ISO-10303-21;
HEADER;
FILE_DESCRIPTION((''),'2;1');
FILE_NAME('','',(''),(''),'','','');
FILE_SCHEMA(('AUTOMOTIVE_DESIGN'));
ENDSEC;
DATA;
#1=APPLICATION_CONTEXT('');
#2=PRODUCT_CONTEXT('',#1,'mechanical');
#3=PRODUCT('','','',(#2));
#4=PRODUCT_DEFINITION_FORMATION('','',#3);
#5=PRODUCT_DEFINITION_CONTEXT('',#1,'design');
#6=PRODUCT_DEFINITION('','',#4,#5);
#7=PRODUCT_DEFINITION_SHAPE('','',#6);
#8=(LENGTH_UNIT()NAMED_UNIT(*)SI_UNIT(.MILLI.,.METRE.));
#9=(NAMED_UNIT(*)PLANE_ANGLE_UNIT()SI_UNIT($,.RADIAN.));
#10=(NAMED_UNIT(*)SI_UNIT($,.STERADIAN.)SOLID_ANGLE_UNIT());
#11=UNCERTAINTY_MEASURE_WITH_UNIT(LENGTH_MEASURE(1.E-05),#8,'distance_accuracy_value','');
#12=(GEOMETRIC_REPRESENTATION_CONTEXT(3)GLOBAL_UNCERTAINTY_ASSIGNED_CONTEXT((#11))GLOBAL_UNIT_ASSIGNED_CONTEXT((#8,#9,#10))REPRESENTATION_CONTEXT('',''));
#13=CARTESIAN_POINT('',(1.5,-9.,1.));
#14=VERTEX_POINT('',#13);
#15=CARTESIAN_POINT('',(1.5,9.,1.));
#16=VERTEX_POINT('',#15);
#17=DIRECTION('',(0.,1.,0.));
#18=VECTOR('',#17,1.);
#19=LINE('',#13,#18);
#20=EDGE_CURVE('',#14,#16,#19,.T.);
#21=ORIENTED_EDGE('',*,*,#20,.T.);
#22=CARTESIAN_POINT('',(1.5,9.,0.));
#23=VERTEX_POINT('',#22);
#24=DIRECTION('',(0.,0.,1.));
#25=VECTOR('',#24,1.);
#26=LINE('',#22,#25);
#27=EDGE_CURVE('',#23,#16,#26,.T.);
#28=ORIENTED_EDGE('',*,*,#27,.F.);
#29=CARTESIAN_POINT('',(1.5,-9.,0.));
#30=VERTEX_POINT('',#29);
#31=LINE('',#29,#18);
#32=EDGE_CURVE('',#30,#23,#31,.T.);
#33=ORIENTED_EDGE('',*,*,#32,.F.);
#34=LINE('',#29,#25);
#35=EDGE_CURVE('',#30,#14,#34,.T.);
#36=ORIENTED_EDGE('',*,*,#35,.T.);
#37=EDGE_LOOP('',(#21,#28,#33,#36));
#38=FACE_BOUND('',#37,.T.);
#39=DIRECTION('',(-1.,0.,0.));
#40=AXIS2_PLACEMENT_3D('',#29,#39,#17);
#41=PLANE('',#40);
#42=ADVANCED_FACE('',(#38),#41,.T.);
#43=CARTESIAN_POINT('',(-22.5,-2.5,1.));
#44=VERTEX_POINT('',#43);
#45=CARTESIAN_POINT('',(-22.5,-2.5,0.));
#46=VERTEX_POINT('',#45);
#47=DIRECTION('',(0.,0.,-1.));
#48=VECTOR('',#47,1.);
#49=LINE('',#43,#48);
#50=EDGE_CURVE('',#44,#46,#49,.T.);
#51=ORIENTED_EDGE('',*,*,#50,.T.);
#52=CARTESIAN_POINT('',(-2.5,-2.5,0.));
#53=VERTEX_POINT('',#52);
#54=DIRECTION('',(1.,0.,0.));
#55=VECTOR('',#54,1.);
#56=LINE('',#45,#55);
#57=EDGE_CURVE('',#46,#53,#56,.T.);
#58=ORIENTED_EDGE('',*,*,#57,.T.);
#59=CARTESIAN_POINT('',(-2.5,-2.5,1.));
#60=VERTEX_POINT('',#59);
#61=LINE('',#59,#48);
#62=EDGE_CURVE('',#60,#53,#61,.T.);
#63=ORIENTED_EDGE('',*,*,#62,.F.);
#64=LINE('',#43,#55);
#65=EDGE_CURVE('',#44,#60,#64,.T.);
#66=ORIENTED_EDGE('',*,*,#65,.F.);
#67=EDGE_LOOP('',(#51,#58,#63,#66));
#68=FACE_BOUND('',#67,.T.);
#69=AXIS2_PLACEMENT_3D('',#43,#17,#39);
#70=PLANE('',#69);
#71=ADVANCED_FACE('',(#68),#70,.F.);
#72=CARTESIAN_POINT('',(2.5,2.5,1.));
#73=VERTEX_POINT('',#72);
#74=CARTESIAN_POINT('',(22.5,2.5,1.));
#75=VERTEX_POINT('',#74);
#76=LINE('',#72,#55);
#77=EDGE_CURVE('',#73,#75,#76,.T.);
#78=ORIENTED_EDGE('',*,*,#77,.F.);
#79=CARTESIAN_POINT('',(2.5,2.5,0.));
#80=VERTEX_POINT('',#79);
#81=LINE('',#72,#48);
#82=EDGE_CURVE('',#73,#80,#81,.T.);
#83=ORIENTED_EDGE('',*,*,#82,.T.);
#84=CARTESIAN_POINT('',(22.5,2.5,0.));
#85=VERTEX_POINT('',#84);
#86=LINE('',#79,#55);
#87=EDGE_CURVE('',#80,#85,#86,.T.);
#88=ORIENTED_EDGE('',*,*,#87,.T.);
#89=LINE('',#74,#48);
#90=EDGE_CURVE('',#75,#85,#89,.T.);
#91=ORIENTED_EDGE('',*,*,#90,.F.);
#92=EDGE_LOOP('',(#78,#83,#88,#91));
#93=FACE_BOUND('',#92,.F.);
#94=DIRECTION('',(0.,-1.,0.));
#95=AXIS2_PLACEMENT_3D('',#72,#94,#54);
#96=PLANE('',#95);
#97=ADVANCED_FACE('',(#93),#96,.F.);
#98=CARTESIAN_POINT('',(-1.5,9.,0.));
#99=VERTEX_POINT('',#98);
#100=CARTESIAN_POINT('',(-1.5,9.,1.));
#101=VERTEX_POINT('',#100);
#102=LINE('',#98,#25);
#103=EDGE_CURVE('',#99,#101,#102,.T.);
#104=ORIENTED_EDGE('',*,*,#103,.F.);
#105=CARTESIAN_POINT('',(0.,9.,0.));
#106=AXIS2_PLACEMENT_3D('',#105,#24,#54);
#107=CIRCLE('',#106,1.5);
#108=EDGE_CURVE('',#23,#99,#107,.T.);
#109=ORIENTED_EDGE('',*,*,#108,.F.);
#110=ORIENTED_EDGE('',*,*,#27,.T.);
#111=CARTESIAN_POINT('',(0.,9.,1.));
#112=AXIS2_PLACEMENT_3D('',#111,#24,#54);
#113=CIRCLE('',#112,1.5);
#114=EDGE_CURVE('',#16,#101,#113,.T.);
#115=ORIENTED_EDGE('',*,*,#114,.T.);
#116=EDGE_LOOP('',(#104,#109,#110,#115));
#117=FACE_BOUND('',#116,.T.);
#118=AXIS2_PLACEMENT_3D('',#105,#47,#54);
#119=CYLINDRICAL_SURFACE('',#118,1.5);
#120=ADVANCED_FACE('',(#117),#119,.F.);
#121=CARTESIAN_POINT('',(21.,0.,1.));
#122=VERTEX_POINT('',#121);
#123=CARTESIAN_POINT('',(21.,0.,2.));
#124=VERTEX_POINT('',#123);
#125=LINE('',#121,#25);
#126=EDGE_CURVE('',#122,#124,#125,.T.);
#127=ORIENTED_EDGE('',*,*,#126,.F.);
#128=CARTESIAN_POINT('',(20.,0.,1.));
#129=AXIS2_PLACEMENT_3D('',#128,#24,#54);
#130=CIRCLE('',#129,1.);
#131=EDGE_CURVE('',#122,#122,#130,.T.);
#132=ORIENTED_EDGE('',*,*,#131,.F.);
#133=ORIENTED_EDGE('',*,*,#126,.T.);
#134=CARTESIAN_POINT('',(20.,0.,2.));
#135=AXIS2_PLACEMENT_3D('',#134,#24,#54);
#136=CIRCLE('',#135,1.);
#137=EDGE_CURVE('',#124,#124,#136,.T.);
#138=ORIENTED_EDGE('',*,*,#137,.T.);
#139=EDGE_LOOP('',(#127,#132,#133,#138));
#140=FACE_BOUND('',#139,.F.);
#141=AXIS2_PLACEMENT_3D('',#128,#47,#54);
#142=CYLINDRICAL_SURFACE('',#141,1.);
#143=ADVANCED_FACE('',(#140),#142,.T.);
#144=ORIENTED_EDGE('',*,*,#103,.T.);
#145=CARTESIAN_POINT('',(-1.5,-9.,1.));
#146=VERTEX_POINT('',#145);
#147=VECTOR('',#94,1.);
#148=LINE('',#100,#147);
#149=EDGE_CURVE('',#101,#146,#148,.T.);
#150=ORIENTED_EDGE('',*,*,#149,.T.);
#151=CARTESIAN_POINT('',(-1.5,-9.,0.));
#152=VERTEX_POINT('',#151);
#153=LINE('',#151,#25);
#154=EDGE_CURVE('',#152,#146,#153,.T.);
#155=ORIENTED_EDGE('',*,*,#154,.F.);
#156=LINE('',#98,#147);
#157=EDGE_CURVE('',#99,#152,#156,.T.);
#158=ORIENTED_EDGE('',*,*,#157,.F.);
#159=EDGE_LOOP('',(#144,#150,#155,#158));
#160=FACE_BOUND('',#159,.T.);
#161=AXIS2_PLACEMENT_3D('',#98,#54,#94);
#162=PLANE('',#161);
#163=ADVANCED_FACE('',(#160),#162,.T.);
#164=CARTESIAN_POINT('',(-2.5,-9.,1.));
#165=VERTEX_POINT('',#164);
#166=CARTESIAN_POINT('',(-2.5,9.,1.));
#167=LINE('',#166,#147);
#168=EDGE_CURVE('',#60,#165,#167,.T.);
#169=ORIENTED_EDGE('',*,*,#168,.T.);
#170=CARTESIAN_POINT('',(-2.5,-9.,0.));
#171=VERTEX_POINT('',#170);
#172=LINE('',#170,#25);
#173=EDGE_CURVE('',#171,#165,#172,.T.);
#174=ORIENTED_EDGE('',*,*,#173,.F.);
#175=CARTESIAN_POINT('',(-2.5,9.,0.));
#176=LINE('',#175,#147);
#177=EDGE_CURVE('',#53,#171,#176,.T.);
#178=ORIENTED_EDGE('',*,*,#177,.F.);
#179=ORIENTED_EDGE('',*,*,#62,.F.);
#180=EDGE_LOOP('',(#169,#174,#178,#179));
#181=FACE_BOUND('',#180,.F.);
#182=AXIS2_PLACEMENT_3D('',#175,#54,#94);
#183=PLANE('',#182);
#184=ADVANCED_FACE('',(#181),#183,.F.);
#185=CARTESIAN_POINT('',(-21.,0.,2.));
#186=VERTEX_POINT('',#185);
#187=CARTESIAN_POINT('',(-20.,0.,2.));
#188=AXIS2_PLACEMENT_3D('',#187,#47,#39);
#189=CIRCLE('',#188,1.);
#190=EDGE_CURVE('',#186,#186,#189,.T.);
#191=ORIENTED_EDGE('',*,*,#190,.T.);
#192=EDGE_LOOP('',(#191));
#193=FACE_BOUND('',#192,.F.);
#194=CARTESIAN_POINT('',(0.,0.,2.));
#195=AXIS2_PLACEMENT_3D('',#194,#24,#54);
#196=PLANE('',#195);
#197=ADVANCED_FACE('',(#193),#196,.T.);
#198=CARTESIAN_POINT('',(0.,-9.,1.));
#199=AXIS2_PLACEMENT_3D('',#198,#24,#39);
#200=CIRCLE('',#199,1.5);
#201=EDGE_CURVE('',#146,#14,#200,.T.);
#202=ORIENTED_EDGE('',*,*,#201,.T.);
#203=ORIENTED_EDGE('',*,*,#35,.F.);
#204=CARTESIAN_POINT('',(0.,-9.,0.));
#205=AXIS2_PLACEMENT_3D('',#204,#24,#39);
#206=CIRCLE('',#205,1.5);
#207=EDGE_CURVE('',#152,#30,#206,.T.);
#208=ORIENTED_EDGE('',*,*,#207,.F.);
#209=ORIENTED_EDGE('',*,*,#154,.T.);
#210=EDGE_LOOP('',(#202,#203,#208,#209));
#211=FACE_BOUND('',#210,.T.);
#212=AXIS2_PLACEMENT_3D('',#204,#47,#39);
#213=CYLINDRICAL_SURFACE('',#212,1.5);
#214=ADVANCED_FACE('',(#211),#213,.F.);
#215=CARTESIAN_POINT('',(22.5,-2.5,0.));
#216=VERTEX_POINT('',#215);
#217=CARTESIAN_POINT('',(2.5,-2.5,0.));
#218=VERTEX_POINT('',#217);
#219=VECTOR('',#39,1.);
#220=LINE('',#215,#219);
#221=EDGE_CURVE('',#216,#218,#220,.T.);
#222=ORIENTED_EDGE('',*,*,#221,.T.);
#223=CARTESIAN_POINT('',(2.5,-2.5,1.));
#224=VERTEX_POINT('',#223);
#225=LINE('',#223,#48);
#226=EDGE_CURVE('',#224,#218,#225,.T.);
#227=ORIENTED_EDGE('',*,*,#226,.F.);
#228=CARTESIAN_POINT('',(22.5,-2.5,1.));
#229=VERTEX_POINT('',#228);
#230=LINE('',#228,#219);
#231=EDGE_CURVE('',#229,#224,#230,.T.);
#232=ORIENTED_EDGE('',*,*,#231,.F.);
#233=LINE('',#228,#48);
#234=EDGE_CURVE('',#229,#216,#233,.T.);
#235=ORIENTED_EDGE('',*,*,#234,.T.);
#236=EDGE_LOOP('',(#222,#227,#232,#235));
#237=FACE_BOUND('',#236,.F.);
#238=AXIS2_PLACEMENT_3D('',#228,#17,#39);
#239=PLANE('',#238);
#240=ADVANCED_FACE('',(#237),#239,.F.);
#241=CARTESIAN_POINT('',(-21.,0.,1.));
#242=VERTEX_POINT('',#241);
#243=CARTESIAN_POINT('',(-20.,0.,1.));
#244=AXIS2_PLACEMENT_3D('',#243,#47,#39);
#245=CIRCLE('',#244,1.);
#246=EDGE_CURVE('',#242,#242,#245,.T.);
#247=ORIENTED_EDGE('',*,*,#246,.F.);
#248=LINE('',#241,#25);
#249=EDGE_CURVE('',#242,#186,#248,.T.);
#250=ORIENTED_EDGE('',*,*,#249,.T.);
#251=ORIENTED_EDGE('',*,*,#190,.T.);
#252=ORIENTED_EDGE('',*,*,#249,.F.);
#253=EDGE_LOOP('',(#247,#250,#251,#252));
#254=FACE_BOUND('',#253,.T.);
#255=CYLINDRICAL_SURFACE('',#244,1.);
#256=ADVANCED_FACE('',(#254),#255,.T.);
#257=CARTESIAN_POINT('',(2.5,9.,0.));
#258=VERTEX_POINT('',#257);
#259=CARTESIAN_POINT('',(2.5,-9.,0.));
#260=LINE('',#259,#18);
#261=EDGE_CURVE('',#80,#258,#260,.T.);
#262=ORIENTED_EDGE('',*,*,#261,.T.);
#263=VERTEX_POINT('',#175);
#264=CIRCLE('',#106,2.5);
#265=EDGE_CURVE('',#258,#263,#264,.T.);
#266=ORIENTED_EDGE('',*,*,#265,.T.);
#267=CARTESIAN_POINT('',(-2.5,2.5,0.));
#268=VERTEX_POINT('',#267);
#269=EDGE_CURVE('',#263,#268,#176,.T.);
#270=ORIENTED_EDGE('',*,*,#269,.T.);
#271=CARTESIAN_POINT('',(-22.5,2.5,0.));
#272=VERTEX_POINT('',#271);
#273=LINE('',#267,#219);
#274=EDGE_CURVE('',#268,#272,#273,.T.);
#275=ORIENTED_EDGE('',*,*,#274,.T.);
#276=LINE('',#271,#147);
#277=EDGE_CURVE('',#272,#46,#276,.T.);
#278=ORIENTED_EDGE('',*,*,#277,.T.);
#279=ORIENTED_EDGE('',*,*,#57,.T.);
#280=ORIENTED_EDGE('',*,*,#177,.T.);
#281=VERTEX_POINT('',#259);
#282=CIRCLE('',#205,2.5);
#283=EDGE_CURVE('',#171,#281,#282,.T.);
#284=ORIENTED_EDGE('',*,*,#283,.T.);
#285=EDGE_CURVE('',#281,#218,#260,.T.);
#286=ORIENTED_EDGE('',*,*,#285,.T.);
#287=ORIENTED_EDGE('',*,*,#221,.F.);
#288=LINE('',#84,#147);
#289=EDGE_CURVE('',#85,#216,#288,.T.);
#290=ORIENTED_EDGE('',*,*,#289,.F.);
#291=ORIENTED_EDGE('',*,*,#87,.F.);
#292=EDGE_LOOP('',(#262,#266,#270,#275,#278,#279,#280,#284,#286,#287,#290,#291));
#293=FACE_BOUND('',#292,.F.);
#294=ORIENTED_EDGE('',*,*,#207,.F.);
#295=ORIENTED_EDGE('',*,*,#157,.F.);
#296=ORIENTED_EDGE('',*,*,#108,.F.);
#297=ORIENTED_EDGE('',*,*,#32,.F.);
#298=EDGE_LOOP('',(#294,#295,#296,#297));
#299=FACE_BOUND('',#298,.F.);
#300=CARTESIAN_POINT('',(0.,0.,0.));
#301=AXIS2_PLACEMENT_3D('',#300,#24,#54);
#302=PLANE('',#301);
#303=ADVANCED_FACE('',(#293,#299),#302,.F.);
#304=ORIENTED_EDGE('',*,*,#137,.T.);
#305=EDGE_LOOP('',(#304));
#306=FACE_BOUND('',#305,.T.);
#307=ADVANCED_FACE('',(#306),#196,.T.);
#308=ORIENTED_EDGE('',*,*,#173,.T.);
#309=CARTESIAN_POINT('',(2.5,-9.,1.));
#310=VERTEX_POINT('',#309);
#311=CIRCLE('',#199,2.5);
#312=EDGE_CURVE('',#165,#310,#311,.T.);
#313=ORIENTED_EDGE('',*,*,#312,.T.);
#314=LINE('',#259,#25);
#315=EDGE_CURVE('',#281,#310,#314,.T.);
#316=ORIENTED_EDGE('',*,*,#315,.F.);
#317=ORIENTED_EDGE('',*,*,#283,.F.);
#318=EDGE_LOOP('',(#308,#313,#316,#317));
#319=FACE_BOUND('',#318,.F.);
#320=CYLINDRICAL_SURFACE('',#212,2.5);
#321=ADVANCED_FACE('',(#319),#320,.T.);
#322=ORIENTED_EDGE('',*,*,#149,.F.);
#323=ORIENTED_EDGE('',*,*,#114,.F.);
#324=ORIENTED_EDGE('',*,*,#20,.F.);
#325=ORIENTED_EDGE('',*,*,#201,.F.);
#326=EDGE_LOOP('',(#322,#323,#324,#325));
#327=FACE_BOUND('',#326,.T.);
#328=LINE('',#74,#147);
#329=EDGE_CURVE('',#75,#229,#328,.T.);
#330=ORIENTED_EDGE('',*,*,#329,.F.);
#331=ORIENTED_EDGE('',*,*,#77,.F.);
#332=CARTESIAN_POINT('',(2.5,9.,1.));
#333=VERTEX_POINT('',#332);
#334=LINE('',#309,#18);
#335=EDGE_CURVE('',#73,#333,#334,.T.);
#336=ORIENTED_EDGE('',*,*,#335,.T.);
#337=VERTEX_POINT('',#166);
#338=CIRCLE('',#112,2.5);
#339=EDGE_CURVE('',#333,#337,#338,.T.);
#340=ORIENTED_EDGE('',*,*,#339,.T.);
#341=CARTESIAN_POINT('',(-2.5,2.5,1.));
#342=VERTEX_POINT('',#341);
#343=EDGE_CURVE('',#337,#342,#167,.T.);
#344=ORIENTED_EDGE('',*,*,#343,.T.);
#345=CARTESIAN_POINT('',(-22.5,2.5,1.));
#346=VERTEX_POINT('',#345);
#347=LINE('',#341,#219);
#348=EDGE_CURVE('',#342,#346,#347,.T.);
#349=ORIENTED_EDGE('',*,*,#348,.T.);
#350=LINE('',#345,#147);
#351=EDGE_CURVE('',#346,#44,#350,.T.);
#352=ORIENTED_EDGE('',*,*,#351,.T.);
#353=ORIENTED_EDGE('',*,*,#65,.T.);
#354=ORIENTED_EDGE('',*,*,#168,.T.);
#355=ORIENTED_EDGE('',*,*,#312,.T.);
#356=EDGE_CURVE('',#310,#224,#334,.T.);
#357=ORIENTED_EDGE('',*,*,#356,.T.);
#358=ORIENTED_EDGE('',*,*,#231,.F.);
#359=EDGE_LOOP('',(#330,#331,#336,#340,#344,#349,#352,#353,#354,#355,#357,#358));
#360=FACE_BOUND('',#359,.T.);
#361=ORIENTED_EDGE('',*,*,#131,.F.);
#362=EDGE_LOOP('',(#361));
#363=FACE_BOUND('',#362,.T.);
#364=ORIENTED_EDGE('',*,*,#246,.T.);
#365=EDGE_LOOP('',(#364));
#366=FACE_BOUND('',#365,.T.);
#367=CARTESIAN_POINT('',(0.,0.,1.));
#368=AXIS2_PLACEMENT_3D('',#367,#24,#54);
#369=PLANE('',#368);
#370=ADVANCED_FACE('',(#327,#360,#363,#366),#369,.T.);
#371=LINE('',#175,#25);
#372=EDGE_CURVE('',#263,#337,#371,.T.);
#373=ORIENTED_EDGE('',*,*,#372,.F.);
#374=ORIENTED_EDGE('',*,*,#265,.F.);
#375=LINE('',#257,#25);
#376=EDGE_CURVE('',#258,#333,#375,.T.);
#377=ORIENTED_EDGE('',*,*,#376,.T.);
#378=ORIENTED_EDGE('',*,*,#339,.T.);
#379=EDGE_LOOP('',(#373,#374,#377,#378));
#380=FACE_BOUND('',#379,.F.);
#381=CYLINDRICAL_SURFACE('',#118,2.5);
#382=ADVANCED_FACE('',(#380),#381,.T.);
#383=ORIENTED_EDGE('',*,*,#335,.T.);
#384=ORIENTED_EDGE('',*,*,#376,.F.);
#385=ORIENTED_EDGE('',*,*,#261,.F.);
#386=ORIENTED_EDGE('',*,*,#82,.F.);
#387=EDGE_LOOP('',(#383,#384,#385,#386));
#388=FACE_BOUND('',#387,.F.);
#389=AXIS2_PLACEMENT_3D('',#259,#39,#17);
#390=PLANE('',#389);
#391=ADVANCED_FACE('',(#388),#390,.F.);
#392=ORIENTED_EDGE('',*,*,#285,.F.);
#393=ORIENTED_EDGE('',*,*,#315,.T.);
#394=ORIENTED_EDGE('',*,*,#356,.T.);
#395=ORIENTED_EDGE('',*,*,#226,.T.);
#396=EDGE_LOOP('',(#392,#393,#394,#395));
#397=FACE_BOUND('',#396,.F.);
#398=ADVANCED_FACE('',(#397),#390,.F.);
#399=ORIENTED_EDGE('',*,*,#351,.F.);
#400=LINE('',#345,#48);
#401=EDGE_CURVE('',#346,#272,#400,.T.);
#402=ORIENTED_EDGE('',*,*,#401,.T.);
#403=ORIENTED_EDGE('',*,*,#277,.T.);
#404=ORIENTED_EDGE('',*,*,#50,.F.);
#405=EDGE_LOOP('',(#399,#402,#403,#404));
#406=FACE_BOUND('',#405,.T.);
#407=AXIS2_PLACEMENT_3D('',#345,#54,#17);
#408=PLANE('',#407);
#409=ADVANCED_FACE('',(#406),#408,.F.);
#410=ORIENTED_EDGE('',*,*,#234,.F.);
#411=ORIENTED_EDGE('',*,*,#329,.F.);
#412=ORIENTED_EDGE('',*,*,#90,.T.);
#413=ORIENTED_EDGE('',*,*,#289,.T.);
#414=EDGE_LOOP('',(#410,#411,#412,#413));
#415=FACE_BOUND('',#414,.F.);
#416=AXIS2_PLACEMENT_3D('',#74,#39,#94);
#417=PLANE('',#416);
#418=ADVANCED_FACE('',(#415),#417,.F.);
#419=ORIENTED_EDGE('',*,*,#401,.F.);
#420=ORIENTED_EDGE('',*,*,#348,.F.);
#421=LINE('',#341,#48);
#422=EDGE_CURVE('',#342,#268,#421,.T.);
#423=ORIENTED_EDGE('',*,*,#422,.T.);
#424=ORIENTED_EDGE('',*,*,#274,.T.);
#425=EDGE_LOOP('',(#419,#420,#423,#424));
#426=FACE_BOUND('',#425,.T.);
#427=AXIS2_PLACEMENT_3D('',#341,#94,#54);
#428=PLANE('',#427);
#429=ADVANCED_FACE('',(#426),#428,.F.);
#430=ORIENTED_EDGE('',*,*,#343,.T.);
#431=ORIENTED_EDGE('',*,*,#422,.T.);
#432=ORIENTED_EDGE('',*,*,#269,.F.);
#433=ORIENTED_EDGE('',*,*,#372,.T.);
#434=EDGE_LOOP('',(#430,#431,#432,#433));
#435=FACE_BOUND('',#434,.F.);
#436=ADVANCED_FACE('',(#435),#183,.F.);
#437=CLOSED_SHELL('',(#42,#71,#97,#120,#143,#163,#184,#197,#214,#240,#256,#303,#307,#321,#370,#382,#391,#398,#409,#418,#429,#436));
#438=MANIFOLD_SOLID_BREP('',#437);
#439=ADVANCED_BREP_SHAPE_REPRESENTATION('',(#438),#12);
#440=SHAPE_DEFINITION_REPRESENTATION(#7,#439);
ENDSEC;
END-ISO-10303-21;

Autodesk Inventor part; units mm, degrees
ref_plane "YZ Plane" through (0, 0, 0) normal (1, 0, 0) x (0, 1, 0)
ref_plane "XZ Plane" through (0, 0, 0) normal (0, 1, 0) x (-1, 0, 0)
ref_plane "XY Plane" through (0, 0, 0) normal (0, 0, 1) x (1, 0, 0)
sketch "스케치3" plane through (0, 0, 0) normal (0, 0, 1) x (1, 0, 0)
  line L0 (0, 9) -> (0, -9) construction
  line L1 (-1.5, 9) -> (-1.5, -9)
  line L2 (1.5, -9) -> (1.5, 9)
  arc A0 (1.5, 9) -> (-1.5, 9) centre (0, 9) ccw
  arc A1 (-1.5, -9) -> (1.5, -9) centre (0, -9) ccw
  line L3 (-2.5, 9) -> (-2.5, -9)
  arc A2 (-2.5, -9) -> (2.5, -9) centre (0, -9) ccw
  line L4 (2.5, -9) -> (2.5, 9)
  arc A3 (2.5, 9) -> (-2.5, 9) centre (0, 9) ccw
  line L5 (-3.5, 0) -> (3.5, 0) construction
  line L6 (0, -16.1) -> (0, 16.1) construction
  point P0 (0, 0)
  point P1 (0, 0)
  dimension "d8" = 18
  dimension "d9" = 1.5
  dimension "d10" = 1
  dimension "d11" = 9
extrude "돌출3" add sketch "스케치3" along normal blind 1
sketch "스케치4" plane through (0, 0, 1) normal (0, 0, 1) x (1, 0, 0)
  line L0 (2.5, -9) -> (2.5, 9) projected
  line L1 (2.5, 2.5) -> (22.5, 2.5)
  line L2 (22.5, 2.5) -> (22.5, -2.5)
  line L3 (22.5, -2.5) -> (2.5, -2.5)
  line L4 (2.5, -2.5) -> (2.5, 2.5)
  point P0 (0, 0)
  point P1 (2.5, -2.5)
  dimension "d14" = 20
  dimension "d15" = 2.5
  dimension "d16" = 5
extrude "돌출4" add sketch "스케치4" against normal blind 1
sketch "스케치5" plane through (0, 0, 1) normal (0, 0, 1) x (1, 0, 0)
  circle A0 centre (20, 0) radius 1
  line L0 (-7.5, 0) -> (27.5, 0) construction
  line L1 (0, -16.1) -> (0, 16.1) construction
  point P0 (0, 0)
  dimension "d19" = 2
  dimension "d20" = 20
extrude "돌출5" add sketch "스케치5" along normal blind 1
mirror "미러1" about plane through (0, 0, 0) normal (1, 0, 0) of "돌출4", "돌출5"
properties part number "축"
